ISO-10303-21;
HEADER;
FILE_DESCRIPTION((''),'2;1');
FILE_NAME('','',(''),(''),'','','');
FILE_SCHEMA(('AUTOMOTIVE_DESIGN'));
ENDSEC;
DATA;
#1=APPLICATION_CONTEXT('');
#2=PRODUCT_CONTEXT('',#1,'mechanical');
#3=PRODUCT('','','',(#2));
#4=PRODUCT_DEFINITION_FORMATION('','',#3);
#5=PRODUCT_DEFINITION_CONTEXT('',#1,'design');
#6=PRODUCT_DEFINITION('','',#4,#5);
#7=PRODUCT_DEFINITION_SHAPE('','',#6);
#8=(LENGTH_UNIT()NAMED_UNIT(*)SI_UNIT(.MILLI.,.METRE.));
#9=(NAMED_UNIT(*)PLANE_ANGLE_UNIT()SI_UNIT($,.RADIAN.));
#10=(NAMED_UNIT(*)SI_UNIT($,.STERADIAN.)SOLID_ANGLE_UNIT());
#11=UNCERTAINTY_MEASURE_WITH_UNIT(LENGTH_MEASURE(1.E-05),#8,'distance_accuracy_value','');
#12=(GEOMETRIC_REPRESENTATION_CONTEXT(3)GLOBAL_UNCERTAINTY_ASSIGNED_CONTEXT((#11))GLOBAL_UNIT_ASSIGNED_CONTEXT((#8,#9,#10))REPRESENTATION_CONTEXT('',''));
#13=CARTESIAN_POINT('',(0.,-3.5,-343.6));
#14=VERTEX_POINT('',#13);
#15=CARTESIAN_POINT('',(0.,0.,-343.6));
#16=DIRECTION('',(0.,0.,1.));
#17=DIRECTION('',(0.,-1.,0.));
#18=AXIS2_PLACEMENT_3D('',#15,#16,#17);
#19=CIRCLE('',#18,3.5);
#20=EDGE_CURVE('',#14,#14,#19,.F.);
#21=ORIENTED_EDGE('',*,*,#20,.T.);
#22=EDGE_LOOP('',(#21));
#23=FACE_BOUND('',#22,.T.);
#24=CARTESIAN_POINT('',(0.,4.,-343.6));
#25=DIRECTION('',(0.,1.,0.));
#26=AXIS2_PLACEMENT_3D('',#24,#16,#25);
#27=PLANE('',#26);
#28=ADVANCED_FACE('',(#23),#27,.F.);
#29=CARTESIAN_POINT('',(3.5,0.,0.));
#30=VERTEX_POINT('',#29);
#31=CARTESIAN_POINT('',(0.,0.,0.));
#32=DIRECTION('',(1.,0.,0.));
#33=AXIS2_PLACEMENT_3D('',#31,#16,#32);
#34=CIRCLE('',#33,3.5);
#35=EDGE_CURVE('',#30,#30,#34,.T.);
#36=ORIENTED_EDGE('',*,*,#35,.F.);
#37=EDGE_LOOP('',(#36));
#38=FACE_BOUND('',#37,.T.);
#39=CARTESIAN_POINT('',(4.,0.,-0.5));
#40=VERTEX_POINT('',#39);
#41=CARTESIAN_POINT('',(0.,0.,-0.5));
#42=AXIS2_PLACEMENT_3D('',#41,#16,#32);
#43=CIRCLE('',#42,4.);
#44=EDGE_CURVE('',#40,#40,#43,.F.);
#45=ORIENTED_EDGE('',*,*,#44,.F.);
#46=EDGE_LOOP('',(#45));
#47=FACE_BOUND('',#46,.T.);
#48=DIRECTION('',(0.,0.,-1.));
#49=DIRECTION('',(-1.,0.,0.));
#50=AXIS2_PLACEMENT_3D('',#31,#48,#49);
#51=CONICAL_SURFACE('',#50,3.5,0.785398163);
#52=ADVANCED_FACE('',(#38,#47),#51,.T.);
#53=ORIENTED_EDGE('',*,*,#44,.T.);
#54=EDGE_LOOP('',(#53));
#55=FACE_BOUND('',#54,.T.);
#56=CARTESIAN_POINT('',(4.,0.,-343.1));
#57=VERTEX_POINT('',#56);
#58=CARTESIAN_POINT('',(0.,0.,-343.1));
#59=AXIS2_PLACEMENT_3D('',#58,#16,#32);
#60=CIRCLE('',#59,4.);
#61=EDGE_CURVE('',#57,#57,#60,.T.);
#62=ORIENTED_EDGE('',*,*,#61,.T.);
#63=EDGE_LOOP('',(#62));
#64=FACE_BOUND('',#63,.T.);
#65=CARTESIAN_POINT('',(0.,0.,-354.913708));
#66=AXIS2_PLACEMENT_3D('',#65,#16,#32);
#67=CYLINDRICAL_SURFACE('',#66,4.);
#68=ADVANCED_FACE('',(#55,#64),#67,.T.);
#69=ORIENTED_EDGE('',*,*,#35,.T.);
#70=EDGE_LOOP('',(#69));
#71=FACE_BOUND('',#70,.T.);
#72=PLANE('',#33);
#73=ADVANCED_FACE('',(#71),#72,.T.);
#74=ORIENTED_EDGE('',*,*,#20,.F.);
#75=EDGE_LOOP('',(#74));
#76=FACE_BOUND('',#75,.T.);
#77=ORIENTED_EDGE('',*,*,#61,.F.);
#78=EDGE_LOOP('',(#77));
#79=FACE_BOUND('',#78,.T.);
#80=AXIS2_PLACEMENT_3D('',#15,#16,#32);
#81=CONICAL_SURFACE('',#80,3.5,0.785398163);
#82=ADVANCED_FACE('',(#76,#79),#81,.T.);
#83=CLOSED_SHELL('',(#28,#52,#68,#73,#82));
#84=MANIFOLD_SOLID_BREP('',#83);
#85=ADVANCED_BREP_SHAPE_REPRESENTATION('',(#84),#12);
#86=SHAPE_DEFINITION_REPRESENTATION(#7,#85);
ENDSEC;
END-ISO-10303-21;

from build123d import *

# Parameters (mm, degrees)
CROQUIS1_R              = 4
SALIENTE_EXTRUIR1_DEPTH = 343.6
CHAFL_N1_SIZE           = 0.5


with BuildPart() as part:
    # Croquis1 → Saliente-Extruir1 (new body)
    with BuildSketch(Plane.XY):
        Circle(CROQUIS1_R)
    extrude(amount=-SALIENTE_EXTRUIR1_DEPTH)

    # Chaflán1
    chafl_n1_edges = [part.edges().sort_by_distance(p)[0] for p in [
        (-4, 0, 0),
        (-4, 0, -343.6),
    ]]
    chamfer(chafl_n1_edges, length=CHAFL_N1_SIZE)


solid = part.part
